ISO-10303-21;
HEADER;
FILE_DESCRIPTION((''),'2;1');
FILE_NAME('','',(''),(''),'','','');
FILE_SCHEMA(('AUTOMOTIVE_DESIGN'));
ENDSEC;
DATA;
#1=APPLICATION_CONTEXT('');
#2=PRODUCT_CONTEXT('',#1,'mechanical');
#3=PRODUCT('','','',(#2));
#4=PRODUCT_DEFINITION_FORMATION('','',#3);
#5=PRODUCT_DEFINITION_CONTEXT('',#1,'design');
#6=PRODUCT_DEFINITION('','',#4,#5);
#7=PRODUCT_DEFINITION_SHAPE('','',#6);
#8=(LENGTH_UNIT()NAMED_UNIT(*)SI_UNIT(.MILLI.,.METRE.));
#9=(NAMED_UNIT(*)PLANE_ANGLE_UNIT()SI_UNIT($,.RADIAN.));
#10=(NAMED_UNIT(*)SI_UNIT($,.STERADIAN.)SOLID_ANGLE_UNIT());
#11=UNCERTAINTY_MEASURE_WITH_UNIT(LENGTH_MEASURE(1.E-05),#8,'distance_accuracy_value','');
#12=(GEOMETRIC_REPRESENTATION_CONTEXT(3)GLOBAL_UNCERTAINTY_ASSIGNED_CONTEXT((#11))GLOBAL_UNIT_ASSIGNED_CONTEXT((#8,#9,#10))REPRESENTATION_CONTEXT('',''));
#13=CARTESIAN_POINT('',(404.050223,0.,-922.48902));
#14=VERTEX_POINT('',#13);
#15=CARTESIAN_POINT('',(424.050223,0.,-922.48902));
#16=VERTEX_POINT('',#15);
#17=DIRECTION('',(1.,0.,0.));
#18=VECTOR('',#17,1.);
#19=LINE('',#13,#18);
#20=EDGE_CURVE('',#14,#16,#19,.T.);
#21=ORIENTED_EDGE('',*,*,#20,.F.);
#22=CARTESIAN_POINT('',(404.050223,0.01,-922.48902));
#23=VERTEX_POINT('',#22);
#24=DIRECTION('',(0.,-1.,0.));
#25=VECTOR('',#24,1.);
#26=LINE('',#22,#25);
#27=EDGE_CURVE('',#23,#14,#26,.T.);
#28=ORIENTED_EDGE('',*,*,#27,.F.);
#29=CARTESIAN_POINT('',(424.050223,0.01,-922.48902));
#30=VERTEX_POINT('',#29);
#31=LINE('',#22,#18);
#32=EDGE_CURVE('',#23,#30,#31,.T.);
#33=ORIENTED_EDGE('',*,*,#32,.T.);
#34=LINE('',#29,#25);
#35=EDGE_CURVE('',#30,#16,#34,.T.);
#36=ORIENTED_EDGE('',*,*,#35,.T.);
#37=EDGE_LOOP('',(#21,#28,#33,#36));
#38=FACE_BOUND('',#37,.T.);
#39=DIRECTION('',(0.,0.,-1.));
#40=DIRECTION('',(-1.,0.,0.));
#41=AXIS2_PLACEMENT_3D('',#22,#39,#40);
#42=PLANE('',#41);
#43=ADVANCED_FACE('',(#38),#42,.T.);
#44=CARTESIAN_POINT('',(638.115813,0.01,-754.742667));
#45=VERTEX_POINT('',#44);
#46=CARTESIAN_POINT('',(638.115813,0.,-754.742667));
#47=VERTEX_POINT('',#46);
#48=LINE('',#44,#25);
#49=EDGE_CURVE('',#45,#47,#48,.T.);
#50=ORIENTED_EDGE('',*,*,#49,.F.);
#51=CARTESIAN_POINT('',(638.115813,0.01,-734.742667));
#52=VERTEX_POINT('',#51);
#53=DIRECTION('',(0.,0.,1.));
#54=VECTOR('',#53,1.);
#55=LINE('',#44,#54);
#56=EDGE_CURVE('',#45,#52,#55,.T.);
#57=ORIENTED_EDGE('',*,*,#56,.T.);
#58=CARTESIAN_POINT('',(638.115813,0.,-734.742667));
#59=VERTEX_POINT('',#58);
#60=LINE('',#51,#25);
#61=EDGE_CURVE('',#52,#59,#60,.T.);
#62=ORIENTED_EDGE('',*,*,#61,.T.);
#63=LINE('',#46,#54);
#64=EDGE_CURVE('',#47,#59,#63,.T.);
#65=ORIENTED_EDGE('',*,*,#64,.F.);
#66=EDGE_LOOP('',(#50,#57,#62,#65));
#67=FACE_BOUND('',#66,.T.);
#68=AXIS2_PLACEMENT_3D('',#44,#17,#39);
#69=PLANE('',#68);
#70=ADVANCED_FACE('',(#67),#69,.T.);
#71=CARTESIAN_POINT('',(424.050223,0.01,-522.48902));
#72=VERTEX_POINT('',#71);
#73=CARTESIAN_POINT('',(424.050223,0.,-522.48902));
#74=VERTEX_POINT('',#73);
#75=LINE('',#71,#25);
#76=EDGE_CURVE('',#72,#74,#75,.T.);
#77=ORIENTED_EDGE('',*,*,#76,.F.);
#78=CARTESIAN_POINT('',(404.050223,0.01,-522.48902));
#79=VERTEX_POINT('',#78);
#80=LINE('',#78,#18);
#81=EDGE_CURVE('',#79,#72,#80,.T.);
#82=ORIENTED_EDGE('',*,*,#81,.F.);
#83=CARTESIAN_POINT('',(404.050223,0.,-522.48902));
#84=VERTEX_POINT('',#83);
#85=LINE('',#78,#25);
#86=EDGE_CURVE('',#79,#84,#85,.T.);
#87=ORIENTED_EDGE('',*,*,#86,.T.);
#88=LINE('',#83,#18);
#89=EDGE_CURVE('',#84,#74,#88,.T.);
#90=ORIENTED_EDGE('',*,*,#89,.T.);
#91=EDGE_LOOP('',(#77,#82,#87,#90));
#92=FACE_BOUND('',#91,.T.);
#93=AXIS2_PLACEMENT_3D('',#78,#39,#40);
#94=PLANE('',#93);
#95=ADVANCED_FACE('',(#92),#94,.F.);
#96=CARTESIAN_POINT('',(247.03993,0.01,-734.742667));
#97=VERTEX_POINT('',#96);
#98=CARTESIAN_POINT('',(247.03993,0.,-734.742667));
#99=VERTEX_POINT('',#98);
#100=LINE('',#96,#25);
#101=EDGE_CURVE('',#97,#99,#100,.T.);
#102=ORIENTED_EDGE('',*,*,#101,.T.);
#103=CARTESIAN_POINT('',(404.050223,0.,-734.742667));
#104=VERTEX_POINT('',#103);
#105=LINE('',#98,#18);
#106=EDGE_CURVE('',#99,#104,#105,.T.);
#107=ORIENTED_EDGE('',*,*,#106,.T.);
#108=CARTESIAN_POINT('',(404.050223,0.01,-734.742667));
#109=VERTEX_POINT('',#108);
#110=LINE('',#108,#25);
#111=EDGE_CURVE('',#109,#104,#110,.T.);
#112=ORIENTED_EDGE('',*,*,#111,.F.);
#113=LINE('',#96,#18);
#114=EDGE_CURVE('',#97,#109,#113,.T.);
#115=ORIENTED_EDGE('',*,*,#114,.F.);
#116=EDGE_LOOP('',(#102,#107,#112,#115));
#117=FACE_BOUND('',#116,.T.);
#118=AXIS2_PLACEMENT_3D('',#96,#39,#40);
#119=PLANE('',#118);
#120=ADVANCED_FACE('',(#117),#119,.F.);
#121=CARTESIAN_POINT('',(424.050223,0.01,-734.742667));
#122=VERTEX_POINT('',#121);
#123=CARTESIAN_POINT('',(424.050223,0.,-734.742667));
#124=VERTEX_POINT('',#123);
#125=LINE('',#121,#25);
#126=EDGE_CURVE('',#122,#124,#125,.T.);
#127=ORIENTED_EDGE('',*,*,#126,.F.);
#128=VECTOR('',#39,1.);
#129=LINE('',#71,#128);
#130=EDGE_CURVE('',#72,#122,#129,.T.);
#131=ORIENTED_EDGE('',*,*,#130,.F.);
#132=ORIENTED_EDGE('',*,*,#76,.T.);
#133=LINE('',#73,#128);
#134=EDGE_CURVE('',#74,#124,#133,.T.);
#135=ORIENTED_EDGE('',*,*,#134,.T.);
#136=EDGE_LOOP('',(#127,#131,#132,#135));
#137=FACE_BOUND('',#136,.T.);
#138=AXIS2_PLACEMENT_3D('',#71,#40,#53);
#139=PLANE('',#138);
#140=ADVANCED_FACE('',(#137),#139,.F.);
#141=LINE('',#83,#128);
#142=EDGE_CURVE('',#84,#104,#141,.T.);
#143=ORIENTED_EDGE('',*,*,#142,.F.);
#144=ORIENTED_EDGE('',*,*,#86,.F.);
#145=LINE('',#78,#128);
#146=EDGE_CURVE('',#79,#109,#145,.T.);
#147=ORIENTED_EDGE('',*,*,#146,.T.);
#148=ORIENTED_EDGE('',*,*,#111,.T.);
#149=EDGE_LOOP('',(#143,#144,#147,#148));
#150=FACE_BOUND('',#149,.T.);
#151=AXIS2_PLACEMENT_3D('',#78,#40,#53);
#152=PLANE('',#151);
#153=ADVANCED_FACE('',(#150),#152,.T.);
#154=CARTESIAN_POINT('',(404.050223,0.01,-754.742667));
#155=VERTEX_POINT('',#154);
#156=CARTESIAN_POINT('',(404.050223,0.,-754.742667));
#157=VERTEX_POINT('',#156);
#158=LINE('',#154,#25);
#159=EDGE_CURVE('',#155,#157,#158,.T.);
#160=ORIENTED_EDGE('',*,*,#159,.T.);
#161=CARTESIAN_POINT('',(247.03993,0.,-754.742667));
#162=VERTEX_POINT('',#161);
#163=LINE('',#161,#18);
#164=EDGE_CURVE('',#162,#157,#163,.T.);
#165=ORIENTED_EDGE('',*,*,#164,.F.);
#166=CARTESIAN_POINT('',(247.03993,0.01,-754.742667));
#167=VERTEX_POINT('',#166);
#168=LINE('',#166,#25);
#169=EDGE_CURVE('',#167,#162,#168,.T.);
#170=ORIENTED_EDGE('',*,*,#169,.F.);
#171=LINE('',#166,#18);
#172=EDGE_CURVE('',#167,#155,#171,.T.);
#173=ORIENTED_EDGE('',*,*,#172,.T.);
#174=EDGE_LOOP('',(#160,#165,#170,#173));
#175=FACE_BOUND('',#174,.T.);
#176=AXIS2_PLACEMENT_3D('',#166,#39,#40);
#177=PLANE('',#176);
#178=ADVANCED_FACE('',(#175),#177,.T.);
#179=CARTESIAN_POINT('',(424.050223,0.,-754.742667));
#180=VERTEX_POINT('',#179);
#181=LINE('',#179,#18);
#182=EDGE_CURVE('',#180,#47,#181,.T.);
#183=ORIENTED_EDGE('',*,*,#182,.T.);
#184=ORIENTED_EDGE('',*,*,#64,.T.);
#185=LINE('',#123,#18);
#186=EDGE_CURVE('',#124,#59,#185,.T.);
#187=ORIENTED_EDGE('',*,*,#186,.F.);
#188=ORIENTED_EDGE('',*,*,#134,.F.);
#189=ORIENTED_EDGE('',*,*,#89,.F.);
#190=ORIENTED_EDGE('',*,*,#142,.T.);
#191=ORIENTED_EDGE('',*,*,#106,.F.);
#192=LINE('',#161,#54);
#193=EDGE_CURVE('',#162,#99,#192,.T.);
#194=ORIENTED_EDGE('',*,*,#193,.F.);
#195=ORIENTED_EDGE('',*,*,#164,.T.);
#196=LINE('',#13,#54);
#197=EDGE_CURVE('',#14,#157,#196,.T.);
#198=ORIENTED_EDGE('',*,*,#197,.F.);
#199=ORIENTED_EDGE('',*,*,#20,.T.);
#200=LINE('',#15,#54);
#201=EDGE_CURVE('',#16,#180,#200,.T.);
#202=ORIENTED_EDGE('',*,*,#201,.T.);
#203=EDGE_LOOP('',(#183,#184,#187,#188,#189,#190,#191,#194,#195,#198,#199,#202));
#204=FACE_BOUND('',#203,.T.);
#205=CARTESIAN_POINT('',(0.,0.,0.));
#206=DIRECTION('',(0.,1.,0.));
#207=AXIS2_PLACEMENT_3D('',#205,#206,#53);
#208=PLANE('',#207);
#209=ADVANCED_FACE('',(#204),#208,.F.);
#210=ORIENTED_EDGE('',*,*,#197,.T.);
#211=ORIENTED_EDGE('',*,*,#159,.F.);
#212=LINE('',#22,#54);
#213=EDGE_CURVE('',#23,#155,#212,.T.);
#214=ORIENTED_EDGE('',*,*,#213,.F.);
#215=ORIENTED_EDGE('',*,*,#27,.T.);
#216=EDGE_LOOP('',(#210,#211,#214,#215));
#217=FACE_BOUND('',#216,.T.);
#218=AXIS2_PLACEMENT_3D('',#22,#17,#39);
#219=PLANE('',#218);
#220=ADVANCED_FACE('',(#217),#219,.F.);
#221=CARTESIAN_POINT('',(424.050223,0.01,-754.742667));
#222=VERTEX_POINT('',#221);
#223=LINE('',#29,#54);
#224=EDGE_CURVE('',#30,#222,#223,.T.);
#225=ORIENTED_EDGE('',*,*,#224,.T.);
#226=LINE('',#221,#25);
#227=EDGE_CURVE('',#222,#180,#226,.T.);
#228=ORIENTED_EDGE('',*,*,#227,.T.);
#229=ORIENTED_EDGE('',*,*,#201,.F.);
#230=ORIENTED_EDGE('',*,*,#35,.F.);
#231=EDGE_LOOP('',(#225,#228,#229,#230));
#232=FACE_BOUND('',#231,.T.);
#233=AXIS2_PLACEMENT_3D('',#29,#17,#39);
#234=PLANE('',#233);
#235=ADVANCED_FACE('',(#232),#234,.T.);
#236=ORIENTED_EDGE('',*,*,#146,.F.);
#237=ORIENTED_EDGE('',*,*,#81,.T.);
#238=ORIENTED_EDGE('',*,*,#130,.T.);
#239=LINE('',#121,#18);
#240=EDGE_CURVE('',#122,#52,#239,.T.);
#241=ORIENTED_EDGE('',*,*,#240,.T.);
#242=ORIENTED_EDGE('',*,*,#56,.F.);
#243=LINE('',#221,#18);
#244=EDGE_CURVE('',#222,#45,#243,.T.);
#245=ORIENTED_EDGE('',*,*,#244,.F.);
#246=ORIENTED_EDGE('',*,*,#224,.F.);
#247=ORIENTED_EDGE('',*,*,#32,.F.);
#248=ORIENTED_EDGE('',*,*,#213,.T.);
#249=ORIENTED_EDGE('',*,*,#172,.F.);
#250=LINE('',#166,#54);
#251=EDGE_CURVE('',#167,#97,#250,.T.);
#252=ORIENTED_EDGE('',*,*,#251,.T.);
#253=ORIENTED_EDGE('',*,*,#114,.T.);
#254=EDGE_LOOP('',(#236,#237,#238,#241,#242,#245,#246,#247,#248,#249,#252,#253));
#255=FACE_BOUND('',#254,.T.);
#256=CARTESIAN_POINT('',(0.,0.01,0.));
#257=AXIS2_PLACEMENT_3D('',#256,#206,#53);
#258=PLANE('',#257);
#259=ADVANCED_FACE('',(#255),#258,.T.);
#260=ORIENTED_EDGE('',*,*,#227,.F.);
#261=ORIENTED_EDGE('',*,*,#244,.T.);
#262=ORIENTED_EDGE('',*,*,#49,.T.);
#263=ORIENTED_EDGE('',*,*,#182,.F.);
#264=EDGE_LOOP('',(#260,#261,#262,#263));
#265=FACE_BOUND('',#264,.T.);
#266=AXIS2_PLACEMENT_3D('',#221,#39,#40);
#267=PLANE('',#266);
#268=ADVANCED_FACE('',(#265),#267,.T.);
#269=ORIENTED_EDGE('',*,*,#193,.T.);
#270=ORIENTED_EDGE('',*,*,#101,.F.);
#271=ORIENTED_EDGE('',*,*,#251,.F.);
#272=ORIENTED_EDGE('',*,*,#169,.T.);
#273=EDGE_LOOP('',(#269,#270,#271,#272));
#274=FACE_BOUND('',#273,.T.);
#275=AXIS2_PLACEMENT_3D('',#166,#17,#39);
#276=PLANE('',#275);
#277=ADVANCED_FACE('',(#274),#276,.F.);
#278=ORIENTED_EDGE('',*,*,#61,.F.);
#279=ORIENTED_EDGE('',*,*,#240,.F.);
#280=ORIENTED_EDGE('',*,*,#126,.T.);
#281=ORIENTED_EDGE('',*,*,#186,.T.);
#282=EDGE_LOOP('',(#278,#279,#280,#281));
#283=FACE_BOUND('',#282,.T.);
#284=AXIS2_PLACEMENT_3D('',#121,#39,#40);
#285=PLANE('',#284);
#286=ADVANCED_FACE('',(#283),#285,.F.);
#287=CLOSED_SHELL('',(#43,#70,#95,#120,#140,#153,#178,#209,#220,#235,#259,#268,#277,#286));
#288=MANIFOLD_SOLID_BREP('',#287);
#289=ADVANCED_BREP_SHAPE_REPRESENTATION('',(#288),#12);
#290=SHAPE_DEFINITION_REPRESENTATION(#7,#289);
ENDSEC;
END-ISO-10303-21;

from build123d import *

# Parameters (mm, degrees)
RESSALTO_EXTRUS_O19_DEPTH = 0.01


with BuildPart() as part:
    # Esboço1 → Ressalto-extrusão19 (new body)
    with BuildSketch(Plane(origin=(0, 0, 0), x_dir=(1, 0, 0), z_dir=(0, 1, 0))):
        Polygon((404.050223407, 922.489020101), (424.050223407, 922.489020101), (424.050223407, 754.742667039), (638.115813284, 754.742667039), (638.115813284, 734.742667039), (424.050223407, 734.742667039), (424.050223407, 522.489020101), (404.050223407, 522.489020101), (404.050223407, 734.742667039), (247.039930484, 734.742667039), (247.039930484, 754.742667039), (404.050223407, 754.742667039), align=None)
    extrude(amount=RESSALTO_EXTRUS_O19_DEPTH)


solid = part.part
